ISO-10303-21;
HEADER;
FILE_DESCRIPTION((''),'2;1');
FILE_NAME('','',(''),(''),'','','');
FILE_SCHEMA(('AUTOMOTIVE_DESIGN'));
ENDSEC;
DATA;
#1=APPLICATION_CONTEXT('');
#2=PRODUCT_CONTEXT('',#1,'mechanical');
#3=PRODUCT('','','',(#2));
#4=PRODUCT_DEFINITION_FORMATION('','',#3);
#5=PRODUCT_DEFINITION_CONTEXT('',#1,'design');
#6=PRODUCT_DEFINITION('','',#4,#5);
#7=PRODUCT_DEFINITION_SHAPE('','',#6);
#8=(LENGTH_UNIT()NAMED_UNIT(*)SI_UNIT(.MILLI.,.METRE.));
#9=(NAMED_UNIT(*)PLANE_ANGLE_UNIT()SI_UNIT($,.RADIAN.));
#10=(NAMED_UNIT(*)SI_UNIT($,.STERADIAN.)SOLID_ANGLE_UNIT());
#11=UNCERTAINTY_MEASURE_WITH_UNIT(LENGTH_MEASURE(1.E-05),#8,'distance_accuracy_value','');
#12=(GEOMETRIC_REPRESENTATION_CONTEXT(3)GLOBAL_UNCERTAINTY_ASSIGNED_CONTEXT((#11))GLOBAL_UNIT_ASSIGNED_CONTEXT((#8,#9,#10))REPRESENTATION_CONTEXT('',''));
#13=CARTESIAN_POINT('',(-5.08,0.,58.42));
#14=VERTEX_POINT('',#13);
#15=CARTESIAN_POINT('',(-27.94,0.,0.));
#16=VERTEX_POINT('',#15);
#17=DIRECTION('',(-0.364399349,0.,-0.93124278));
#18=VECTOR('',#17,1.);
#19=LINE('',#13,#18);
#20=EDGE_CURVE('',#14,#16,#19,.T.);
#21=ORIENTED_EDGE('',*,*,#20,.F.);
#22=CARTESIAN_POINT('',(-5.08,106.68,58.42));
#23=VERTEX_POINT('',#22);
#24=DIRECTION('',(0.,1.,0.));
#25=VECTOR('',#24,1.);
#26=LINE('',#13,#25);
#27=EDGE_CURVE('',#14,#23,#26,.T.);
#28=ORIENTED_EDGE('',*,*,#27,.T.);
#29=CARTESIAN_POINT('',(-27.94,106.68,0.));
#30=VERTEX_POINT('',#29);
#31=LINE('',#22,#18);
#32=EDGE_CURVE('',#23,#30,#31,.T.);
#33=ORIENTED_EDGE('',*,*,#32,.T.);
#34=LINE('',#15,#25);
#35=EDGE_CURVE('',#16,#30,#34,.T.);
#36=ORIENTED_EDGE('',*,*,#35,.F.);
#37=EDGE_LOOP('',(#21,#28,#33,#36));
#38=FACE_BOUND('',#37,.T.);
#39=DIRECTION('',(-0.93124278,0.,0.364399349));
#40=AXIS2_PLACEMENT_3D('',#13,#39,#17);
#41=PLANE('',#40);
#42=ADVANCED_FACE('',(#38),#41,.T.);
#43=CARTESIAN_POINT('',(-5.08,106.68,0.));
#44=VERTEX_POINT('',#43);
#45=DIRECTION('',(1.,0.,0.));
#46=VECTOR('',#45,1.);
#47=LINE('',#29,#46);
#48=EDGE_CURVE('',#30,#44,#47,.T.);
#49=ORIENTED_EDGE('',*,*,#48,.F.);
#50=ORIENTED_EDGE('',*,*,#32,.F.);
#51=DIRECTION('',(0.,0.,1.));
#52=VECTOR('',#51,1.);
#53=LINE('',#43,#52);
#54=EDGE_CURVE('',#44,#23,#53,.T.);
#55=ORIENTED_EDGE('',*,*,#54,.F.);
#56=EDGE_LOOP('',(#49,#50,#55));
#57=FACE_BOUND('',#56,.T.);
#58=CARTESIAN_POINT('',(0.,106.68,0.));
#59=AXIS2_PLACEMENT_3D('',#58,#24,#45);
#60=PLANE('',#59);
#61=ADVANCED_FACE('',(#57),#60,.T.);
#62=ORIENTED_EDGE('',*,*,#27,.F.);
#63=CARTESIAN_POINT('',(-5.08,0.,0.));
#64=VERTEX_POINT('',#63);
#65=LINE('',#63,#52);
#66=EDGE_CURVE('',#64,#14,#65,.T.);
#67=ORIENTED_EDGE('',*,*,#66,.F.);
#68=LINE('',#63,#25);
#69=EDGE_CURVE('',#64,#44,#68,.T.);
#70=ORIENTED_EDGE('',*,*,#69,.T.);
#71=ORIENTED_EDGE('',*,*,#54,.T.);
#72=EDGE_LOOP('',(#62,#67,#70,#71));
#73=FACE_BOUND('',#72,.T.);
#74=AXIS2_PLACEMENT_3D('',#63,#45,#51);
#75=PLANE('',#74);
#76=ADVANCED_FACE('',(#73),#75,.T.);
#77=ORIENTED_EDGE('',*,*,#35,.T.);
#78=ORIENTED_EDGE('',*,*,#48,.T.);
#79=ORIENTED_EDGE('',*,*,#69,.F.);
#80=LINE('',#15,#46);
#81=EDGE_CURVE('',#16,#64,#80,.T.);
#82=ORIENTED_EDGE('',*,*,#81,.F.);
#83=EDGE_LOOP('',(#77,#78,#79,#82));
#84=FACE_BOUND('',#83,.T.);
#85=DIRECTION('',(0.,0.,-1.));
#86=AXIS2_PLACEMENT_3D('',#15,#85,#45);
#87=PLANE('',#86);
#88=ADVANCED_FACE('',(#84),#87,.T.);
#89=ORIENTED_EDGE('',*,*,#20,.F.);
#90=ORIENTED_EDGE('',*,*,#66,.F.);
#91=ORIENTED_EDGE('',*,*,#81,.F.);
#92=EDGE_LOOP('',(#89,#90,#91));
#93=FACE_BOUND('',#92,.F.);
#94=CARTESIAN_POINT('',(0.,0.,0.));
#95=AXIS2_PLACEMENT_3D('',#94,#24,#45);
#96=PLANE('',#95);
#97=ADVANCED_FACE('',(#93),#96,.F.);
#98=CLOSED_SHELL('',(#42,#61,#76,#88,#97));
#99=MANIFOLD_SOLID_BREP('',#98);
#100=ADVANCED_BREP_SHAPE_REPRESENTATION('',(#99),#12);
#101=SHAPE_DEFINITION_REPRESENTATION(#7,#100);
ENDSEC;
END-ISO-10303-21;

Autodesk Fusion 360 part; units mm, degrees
sketch "Sketch1" plane through (0, 0, 0) normal (0, 1, 0) x (1, 0, 0)
  line L0 (-27.94, 0) -> (-5.08, 0)
  line L1 (-5.08, 0) -> (-5.08, -58.42)
  line L2 (-5.08, -58.42) -> (-27.94, 0)
extrude "Extrude2" add sketch "Sketch1" along normal blind 106.68
